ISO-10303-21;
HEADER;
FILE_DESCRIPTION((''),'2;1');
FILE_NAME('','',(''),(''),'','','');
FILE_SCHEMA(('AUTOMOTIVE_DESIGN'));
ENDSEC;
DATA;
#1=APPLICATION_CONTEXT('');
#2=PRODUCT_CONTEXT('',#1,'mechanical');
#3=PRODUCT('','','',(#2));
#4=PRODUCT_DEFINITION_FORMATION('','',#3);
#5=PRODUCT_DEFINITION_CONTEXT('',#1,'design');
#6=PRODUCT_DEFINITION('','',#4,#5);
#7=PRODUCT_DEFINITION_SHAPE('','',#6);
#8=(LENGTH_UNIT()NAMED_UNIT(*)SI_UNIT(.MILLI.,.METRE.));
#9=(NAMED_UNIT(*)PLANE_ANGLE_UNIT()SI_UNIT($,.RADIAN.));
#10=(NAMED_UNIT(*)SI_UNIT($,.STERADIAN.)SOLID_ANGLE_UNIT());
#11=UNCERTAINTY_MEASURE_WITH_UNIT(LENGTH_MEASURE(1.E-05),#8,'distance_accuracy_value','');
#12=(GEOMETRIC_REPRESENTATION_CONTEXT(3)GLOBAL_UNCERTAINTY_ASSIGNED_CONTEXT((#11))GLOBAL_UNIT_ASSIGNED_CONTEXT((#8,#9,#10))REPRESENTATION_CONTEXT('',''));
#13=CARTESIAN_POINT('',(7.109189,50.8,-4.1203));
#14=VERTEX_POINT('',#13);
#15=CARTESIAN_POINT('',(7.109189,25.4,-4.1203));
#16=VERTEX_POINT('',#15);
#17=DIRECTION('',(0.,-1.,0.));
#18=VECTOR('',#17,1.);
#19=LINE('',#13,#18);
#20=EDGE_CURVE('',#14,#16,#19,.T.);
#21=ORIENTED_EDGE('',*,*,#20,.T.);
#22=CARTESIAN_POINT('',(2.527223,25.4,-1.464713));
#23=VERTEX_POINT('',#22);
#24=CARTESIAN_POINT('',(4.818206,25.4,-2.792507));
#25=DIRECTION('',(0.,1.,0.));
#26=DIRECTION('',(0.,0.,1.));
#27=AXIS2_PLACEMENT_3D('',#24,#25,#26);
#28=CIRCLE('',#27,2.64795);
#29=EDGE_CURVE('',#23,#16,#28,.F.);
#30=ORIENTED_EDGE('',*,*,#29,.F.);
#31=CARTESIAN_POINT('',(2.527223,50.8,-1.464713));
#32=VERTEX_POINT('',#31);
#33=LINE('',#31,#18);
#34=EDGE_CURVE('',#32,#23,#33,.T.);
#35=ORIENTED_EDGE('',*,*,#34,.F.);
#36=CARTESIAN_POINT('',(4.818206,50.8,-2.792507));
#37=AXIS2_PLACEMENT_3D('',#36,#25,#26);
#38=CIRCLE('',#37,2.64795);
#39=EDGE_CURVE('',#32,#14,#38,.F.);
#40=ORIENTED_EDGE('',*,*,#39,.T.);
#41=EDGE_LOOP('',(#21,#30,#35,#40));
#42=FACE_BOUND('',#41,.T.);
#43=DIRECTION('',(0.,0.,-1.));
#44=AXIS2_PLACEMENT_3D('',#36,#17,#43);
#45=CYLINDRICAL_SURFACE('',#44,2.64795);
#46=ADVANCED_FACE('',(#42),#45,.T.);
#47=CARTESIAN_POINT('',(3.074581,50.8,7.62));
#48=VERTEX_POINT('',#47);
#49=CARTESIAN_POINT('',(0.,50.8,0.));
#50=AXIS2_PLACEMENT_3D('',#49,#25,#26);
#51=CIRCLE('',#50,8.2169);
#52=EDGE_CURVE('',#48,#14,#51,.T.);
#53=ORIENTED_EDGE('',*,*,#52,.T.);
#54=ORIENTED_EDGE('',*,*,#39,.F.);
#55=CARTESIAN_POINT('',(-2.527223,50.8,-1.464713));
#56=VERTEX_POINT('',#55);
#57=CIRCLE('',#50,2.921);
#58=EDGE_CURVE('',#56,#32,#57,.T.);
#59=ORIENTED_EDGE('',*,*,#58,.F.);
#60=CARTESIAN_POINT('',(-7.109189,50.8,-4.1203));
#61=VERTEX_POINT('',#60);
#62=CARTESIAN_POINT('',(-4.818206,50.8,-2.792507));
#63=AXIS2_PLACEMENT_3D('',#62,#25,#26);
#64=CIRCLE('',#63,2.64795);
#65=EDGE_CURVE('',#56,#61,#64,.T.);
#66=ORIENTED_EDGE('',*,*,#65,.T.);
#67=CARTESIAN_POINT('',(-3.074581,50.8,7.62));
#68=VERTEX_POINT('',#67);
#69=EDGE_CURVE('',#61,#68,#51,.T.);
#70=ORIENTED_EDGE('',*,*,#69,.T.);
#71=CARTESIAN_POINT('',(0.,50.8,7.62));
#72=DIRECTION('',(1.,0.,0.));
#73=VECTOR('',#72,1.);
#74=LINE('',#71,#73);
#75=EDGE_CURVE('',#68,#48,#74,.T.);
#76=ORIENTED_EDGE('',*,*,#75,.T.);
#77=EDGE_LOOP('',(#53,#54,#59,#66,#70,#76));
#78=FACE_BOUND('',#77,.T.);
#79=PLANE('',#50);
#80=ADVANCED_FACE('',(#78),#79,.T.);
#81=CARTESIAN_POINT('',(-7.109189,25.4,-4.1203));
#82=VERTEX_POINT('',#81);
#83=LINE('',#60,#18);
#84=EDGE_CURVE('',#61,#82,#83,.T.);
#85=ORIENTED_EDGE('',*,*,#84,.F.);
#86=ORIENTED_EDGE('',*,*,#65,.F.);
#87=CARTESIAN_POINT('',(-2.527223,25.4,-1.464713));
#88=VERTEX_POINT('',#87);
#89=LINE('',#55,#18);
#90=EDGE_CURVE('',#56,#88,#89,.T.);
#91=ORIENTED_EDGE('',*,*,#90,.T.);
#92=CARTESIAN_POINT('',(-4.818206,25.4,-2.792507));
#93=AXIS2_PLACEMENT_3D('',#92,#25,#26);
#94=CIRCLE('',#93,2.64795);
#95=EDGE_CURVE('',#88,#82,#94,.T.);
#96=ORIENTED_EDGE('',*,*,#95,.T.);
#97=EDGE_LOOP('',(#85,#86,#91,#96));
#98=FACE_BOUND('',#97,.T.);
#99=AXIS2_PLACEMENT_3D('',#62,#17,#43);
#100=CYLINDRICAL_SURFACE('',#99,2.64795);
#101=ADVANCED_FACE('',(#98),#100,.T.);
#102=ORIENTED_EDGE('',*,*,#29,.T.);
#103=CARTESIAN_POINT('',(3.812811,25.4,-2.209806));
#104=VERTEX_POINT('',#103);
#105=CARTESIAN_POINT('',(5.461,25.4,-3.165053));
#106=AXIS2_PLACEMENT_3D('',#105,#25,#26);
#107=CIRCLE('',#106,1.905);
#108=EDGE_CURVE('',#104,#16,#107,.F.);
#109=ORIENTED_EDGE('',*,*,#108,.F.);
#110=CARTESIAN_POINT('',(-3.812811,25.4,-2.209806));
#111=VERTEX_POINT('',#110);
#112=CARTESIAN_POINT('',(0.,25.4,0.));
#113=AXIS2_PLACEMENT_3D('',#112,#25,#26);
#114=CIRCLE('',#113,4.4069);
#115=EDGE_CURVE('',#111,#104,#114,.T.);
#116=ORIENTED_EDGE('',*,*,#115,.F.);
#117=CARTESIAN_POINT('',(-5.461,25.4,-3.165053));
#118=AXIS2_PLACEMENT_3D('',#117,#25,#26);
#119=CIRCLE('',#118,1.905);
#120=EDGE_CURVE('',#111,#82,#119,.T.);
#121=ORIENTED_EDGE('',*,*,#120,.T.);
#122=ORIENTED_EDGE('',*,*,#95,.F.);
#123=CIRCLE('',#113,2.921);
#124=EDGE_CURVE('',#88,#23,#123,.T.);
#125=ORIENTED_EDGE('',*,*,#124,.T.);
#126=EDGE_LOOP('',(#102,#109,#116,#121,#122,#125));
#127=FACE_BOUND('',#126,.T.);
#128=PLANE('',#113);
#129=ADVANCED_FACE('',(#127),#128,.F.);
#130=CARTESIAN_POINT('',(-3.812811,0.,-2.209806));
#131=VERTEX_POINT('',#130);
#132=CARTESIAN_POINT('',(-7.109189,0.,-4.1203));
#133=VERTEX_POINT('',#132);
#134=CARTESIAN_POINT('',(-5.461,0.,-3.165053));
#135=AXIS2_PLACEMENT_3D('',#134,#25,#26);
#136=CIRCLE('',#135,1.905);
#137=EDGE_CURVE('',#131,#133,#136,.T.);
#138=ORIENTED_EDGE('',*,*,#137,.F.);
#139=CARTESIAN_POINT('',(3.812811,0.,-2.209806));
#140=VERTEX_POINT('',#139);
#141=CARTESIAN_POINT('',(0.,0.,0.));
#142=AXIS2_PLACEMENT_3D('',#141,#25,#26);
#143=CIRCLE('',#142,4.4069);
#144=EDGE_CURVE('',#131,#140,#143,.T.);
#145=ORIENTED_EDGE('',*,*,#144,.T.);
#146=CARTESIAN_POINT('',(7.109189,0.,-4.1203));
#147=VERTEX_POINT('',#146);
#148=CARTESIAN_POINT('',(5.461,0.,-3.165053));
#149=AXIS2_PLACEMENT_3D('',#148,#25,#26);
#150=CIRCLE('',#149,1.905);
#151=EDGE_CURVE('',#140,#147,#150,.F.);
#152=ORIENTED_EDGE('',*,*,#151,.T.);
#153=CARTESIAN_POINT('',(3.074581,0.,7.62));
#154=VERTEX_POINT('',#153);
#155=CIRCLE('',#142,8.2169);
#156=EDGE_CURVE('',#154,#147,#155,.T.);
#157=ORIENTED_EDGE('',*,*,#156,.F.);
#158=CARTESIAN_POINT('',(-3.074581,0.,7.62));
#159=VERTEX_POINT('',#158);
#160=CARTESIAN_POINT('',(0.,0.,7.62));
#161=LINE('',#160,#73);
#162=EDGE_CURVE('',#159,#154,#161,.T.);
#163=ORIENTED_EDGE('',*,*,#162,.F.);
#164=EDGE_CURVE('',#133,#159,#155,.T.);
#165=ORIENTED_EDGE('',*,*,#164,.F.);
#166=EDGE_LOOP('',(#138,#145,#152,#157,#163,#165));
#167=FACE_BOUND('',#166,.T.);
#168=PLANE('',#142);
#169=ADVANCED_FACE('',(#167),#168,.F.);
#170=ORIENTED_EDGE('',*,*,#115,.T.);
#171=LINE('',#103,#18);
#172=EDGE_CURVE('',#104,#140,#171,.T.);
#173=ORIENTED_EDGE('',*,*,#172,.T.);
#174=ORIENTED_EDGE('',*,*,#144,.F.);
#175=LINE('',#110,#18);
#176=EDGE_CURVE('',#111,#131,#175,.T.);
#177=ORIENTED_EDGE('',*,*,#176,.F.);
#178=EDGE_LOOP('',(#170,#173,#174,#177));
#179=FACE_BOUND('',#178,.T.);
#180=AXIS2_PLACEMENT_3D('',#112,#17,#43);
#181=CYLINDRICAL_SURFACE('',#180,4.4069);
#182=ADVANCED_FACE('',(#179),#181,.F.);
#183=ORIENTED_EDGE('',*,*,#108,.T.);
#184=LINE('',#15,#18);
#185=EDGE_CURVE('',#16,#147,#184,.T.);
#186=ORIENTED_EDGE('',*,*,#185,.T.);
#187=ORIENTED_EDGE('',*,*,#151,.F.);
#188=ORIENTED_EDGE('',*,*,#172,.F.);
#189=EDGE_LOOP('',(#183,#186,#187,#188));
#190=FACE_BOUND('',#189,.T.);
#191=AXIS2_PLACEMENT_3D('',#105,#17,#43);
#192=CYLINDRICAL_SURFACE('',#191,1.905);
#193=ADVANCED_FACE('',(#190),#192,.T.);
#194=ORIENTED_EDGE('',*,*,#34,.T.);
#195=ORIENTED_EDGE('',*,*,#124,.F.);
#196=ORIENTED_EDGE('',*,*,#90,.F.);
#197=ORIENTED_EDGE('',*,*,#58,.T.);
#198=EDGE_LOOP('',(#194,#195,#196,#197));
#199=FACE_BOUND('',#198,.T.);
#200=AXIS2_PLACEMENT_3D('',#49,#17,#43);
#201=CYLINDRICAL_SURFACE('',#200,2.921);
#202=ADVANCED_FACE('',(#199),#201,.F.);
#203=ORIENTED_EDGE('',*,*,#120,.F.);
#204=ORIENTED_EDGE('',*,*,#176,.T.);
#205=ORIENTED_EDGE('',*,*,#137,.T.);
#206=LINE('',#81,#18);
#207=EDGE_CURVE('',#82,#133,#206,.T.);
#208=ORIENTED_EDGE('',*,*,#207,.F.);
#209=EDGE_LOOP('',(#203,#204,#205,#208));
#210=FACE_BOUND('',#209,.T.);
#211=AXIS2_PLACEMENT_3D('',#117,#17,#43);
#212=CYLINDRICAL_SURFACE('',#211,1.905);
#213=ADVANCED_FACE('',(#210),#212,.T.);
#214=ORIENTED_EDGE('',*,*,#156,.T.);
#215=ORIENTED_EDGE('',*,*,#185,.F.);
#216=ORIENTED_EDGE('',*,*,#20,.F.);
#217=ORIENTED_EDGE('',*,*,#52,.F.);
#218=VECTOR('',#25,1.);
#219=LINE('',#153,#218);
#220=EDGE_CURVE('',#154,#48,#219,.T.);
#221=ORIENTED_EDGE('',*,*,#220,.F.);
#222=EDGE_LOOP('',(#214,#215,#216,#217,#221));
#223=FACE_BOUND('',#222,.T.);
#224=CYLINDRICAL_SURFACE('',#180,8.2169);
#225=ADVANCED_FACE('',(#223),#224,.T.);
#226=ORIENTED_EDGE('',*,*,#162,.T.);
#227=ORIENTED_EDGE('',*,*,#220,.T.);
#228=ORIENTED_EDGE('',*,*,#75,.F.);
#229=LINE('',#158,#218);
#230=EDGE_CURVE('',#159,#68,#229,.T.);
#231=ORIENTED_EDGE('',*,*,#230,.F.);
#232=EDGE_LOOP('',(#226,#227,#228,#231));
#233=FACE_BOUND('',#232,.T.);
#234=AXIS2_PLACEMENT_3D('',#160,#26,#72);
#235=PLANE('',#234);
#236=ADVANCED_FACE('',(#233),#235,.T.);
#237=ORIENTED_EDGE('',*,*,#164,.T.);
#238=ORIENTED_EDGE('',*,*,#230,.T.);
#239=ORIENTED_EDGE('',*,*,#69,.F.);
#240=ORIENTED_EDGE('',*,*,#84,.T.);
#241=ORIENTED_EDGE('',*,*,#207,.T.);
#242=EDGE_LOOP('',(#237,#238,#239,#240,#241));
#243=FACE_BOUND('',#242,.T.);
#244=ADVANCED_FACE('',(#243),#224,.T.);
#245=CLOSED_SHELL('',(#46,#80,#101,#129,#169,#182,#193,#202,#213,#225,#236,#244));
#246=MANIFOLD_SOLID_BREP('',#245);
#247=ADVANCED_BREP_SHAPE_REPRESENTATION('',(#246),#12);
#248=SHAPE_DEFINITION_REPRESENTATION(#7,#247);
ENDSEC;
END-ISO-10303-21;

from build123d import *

# Parameters (mm, degrees)
BOSS_EXTRUDE1_DEPTH = 25.4
BOSS_EXTRUDE2_DEPTH = 25.4
CUT_EXTRUDE1_DEPTH  = 51.8


with BuildPart() as part:
    # Sketch1 → Boss-Extrude1 (new body)
    with BuildSketch(Plane(origin=(0, 0, 0), x_dir=(1, 0, 0), z_dir=(0, 1, 0))):
        with BuildLine():
            ThreePointArc((3.812810865, 2.209805629), (4.255786873, 1.144135352), (4.4069, 0))
            ThreePointArc((4.4069, 0), (-1.144135352, -4.255786873), (-3.812810865, 2.209805629))
            ThreePointArc((-3.812810865, 2.209805629), (-4.50575261, 4.813242153), (-7.109189135, 4.120300408))
            ThreePointArc((-7.109189135, 4.120300408), (-2.133301363, -7.935141518), (8.2169, 0))
            ThreePointArc((8.2169, 0), (7.935141518, 2.133301363), (7.109189135, 4.120300408))
            ThreePointArc((7.109189135, 4.120300408), (4.50575261, 4.813242153), (3.812810865, 2.209805629))
        make_face()
    extrude(amount=BOSS_EXTRUDE1_DEPTH)

    # Sketch2 → Boss-Extrude2 (add)
    with BuildSketch(Plane(origin=(0, 25.4, 0), x_dir=(1, 0, 0), z_dir=(0, 1, 0))):
        with BuildLine():
            ThreePointArc((-7.109189135, 4.120300408), (0, -8.2169), (7.109189135, 4.120300408))
            ThreePointArc((7.109189135, 4.120300408), (4.50575261, 4.813242153), (3.812810865, 2.209805629))
            ThreePointArc((3.812810865, 2.209805629), (0, -4.4069), (-3.812810865, 2.209805629))
            ThreePointArc((-3.812810865, 2.209805629), (-4.50575261, 4.813242153), (-7.109189135, 4.120300408))
        make_face()
        with BuildLine():
            ThreePointArc((2.52722334, 1.464712665), (2.820838561, 0.758360608), (2.921, 0))
            ThreePointArc((2.921, 0), (-0.758360608, -2.820838561), (-2.52722334, 1.464712665))
            ThreePointArc((-2.52722334, 1.464712665), (-3.490412365, 5.083489434), (-7.109189135, 4.120300408))
            ThreePointArc((-7.109189135, 4.120300408), (-4.50575261, 4.813242153), (-3.812810865, 2.209805629))
            ThreePointArc((-3.812810865, 2.209805629), (0, -4.4069), (3.812810865, 2.209805629))
            ThreePointArc((3.812810865, 2.209805629), (4.50575261, 4.813242153), (7.109189135, 4.120300408))
            ThreePointArc((7.109189135, 4.120300408), (3.490412365, 5.083489434), (2.52722334, 1.464712665))
        make_face()
    extrude(amount=BOSS_EXTRUDE2_DEPTH)

    # Sketch3 → Cut-Extrude1 (cut, through all)
    with BuildSketch(Plane(origin=(0, 50.8, 0), x_dir=(1, 0, 0), z_dir=(0, 1, 0))):
        with BuildLine():
            Line((3.074580558, -7.62), (-3.074580558, -7.62))
            ThreePointArc((-3.074580558, -7.62), (0, -8.2169), (3.074580558, -7.62))
        make_face()
    extrude(amount=-CUT_EXTRUDE1_DEPTH, mode=Mode.SUBTRACT)


solid = part.part
